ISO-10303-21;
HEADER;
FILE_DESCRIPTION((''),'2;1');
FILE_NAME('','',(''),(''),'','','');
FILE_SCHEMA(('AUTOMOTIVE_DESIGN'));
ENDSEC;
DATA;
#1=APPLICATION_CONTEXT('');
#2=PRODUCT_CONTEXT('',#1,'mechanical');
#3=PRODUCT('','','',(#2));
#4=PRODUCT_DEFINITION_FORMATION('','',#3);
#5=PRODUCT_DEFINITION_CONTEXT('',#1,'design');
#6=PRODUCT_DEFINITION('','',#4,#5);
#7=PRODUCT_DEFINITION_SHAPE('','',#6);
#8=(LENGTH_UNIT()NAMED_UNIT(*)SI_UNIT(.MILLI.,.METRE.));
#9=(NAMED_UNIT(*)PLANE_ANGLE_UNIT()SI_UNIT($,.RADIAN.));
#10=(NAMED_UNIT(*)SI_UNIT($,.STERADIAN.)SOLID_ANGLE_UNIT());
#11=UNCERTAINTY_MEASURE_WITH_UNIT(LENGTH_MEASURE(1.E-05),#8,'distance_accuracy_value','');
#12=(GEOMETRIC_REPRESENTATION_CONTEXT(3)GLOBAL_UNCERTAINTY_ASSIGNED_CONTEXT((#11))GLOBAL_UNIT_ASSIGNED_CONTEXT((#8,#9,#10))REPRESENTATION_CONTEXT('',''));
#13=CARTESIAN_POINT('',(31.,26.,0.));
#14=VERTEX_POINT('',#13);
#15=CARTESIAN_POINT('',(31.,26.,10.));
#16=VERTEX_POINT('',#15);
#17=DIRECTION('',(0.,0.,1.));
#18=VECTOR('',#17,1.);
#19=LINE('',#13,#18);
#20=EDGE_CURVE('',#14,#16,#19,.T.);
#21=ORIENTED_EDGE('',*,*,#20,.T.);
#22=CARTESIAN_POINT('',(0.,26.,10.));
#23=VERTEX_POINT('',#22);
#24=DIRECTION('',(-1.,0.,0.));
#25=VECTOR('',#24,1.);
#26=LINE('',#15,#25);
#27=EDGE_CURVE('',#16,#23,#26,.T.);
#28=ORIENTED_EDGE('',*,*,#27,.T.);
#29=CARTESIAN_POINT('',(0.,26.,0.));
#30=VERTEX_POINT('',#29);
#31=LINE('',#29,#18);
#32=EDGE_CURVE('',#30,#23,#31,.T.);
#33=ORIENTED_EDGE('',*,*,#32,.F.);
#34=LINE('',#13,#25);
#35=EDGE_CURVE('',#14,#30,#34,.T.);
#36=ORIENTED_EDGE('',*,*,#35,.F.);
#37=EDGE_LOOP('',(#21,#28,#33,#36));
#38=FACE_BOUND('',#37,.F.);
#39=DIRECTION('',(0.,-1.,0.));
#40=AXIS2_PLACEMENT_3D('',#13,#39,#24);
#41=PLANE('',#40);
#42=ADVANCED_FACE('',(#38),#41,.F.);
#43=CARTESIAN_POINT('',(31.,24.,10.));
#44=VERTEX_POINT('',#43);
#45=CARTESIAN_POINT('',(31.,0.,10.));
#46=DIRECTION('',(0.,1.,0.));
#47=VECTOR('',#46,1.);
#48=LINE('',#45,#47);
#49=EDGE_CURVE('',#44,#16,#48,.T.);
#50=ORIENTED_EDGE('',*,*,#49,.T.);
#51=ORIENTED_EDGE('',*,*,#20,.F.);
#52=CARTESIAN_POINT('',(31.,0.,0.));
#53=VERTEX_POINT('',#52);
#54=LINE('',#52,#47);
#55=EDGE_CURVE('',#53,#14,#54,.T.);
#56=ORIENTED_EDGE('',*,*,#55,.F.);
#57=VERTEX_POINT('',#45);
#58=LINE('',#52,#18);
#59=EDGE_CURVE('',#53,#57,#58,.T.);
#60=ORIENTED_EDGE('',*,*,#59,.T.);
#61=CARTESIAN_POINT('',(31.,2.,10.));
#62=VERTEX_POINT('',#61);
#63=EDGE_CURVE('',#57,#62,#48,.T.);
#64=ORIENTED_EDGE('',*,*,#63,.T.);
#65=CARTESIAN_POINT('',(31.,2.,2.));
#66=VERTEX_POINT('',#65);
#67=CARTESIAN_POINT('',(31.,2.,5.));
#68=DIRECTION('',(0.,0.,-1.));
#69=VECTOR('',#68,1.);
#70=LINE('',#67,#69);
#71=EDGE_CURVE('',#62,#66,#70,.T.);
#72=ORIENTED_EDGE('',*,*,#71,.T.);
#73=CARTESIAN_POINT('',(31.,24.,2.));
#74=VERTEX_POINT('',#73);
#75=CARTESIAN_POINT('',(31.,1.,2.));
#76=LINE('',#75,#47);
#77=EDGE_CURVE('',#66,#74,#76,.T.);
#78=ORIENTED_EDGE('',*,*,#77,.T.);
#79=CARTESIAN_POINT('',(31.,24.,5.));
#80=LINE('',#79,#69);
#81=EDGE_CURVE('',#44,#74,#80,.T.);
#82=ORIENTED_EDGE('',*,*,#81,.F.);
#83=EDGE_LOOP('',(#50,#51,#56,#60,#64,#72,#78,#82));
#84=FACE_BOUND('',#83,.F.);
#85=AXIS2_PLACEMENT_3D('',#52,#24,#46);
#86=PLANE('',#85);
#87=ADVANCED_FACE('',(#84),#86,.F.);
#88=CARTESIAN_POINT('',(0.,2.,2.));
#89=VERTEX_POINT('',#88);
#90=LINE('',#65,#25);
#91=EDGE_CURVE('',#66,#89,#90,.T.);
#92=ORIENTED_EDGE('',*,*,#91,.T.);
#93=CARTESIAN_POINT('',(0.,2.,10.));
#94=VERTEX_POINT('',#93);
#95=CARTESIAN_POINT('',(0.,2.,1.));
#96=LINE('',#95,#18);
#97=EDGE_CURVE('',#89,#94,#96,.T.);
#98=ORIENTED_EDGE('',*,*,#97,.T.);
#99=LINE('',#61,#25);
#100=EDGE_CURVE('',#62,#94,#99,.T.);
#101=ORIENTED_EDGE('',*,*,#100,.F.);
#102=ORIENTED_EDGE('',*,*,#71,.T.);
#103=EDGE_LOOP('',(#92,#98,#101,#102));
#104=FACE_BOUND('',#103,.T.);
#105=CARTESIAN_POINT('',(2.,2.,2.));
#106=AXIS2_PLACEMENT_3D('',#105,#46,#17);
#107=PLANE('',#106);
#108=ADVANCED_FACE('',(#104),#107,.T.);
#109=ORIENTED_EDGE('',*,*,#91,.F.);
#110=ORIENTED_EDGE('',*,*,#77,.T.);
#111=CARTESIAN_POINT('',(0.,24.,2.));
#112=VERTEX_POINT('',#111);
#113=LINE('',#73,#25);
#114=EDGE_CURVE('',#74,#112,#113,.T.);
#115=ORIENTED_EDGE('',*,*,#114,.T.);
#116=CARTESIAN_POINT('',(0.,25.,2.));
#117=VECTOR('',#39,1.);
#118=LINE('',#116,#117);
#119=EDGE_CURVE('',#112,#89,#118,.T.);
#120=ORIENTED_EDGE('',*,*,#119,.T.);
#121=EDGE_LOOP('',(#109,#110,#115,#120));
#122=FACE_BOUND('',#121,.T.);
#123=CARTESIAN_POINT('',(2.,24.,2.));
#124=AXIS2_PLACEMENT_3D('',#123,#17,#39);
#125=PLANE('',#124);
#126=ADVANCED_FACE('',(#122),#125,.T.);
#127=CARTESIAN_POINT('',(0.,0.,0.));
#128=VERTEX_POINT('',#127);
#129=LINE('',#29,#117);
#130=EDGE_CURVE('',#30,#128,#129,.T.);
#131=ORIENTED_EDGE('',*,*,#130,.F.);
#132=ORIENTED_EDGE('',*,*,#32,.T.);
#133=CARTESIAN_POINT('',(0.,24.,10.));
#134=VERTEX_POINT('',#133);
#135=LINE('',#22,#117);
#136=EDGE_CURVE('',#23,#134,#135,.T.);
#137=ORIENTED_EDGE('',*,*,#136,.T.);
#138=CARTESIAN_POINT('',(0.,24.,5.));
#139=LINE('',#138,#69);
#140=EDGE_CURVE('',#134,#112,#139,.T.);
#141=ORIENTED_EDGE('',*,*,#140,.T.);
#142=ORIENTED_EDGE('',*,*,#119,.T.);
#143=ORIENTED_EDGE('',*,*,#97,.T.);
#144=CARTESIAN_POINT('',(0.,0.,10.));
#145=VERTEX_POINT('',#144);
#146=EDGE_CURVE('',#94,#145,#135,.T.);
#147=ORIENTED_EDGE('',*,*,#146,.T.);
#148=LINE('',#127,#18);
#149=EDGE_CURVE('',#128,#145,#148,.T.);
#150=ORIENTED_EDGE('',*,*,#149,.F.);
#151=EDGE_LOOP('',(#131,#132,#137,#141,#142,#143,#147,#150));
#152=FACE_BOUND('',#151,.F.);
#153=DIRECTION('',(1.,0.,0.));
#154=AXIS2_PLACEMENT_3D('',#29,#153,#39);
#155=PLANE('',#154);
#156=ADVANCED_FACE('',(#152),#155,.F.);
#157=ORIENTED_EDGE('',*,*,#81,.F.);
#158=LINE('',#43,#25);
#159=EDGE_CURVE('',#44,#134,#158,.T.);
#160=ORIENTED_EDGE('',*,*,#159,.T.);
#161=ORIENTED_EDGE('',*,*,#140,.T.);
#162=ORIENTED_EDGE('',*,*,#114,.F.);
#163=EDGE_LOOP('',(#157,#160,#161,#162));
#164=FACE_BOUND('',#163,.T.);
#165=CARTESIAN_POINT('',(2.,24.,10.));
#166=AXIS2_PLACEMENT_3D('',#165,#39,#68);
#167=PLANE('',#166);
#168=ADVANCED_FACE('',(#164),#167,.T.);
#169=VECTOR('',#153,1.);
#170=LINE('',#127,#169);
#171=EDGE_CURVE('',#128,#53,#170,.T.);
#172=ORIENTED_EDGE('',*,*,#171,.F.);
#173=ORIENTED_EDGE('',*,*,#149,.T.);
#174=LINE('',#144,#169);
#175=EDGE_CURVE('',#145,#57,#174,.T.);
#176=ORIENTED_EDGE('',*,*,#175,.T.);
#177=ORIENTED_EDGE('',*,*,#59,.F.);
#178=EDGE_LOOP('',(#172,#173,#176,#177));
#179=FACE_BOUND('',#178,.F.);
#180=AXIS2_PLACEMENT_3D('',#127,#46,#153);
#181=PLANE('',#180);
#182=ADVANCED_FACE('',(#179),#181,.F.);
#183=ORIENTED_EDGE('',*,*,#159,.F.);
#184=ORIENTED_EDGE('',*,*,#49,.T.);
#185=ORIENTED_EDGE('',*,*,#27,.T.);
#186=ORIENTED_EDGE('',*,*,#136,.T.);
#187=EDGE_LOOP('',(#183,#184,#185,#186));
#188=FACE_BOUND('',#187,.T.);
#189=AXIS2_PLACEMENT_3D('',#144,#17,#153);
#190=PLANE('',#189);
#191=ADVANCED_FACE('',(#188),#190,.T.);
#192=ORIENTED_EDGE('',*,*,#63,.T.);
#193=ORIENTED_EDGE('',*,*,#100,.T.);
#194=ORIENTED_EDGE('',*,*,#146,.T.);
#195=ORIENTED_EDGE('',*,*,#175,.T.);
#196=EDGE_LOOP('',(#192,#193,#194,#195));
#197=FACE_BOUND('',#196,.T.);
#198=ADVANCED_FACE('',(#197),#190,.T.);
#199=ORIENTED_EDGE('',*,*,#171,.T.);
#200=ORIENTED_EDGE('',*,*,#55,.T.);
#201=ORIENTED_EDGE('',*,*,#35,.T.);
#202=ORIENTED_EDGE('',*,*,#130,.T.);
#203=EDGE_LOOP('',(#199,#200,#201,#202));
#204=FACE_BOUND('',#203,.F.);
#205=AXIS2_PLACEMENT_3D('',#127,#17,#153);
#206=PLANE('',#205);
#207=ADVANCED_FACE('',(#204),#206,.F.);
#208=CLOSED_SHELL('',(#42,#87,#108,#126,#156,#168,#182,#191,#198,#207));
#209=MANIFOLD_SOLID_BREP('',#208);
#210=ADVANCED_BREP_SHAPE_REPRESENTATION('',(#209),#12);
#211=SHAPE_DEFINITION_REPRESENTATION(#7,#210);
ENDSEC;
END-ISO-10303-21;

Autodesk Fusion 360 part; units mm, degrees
sketch "Sketch1" plane through (0, 0, 0) normal (0, 0, 1) x (1, 0, 0)
  line L0 (0, 0) -> (31, 0)
  line L1 (31, 0) -> (31, 26)
  line L2 (31, 26) -> (0, 26)
  line L3 (0, 26) -> (0, 0)
  dimension "d1" = 31
  dimension "d2" = 26
extrude "Extrude1" add sketch "Sketch1" along normal blind 10
shell "Shell1" thickness 2 removed faces 1 at (10.3333, 17.3333, 10)
extrude "Extrude2" cut 1 faces at (2, 16.6667, 4.6667) along direction (-1, 0, 0) blind 10
extrude "Extrude3" cut 1 faces at (29, 16.6667, 7.3333) along direction (1, 0, 0) blind 20
